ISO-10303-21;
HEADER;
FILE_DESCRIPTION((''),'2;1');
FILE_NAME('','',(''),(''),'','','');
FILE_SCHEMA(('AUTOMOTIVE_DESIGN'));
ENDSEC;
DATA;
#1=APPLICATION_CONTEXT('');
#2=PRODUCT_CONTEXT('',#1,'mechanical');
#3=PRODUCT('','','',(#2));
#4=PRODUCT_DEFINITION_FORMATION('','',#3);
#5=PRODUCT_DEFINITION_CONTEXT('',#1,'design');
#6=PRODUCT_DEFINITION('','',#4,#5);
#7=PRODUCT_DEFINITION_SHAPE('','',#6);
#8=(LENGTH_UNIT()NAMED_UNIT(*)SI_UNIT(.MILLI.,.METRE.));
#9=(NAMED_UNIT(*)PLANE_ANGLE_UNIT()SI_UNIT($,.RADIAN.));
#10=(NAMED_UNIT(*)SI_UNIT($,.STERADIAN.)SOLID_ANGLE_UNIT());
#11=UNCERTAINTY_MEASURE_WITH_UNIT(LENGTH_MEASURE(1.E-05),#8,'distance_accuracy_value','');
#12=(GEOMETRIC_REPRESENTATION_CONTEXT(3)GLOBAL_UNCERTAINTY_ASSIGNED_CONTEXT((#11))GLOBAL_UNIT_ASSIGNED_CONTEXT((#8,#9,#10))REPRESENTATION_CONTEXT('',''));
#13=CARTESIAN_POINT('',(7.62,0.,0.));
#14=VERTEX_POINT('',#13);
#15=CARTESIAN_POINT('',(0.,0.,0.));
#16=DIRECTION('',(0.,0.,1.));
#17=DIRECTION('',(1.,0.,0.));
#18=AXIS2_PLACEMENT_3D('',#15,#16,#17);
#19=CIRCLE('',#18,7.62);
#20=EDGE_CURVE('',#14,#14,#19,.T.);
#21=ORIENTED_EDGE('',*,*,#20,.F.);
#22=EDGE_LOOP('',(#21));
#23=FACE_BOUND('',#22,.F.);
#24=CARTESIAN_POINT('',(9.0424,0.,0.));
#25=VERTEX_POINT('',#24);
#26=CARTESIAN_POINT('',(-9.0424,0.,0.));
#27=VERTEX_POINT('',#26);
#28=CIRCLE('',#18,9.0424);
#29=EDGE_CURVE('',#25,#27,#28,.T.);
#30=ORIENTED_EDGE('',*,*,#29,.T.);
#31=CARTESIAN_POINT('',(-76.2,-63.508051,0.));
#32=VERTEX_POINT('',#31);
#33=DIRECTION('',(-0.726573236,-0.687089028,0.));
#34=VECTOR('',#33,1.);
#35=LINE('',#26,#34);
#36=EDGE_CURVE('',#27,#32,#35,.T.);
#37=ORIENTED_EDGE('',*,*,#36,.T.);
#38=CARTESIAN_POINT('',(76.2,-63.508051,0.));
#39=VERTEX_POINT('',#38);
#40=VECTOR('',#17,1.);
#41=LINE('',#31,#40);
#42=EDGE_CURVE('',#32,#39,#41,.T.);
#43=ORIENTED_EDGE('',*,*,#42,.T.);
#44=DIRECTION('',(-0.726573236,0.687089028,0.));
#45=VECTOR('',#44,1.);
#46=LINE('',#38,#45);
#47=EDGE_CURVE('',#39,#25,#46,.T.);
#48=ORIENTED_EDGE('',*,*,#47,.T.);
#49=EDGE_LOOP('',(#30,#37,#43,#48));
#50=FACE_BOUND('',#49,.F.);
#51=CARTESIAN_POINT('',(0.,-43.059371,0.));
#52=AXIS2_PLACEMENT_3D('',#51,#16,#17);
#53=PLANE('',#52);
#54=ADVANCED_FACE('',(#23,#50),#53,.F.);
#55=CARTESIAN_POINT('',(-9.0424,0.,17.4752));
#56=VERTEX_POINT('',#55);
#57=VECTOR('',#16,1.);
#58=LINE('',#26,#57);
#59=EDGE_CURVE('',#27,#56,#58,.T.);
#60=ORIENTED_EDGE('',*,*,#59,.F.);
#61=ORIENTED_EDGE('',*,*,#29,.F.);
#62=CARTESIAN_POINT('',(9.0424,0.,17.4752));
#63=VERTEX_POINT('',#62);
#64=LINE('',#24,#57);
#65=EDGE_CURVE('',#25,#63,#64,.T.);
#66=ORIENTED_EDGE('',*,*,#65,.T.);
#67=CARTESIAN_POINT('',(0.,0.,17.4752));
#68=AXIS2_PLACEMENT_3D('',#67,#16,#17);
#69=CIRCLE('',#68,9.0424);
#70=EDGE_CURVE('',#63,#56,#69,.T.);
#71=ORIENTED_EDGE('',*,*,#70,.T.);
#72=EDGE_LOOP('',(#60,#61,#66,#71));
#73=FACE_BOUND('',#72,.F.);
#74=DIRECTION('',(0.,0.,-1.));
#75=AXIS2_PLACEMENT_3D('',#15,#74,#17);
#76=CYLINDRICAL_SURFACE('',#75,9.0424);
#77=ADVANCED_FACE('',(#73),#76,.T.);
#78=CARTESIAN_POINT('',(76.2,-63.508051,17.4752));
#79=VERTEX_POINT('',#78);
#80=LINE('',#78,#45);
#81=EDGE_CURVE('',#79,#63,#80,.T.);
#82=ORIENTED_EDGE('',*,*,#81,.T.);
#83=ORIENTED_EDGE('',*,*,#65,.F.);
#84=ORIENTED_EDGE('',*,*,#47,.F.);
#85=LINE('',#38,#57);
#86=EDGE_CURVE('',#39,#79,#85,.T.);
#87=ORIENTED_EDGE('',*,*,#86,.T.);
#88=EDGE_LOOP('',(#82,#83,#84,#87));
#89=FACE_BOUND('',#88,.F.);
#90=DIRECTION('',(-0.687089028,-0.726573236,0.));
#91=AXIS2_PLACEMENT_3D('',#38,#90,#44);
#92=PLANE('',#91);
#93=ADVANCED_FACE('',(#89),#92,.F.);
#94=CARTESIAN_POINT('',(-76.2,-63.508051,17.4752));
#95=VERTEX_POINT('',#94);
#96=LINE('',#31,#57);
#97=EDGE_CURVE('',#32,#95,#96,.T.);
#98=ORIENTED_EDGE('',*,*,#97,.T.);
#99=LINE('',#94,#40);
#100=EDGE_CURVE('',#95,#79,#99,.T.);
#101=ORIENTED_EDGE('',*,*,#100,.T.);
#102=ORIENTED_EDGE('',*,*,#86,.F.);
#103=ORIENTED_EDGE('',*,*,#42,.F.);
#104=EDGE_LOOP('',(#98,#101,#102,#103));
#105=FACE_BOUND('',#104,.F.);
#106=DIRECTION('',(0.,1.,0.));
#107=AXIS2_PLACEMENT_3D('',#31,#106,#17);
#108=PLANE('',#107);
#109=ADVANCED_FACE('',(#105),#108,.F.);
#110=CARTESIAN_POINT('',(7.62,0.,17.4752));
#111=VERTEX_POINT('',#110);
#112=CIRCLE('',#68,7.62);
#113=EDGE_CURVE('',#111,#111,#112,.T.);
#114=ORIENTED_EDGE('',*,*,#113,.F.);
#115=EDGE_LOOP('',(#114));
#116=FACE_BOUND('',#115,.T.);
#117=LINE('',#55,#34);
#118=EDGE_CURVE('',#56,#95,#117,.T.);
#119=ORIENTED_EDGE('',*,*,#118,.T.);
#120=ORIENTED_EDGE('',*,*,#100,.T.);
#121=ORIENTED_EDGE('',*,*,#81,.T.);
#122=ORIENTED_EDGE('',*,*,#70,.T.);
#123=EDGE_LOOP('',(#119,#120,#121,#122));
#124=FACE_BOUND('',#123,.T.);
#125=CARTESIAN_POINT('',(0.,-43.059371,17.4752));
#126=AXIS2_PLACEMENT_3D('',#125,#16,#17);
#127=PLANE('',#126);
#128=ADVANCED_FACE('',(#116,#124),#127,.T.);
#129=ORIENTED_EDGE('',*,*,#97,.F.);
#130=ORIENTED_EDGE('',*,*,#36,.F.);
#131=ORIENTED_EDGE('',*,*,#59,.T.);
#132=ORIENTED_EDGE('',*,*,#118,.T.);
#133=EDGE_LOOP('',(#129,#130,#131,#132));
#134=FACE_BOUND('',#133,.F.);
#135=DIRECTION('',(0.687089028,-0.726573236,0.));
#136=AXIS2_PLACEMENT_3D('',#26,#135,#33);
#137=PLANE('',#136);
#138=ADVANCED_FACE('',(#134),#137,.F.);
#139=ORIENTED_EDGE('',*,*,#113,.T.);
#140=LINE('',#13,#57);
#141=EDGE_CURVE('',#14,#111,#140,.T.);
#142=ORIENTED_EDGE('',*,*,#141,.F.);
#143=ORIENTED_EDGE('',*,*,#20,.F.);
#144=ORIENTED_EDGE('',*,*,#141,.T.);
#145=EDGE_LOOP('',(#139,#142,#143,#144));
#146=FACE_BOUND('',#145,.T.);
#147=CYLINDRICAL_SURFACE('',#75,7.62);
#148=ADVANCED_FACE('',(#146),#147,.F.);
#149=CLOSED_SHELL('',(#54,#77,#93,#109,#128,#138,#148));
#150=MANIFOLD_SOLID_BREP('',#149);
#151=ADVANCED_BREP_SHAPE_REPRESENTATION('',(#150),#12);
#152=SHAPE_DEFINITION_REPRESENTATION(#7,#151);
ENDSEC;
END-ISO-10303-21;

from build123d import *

# Parameters (mm, degrees)
F0_R     = 7.62
F1_DEPTH = 17.4752


with BuildPart() as f1:
    # F0 (on Top) → F1 (new body)
    with BuildSketch(Plane.XY):
        with BuildLine():
            Line((76.2, -63.508051), (9.0424, 0))
            ThreePointArc((9.0424, 0), (0, -9.0424), (-9.0424, 0))
            Line((-9.0424, 0), (-76.2, -63.508051))
            Line((-76.2, -63.508051), (76.2, -63.508051))
        make_face()
        with BuildLine():
            ThreePointArc((-9.0424, 0), (0, -9.0424), (9.0424, 0))
            ThreePointArc((9.0424, 0), (0, 9.0424), (-9.0424, 0))
        make_face()
        Circle(F0_R, mode=Mode.SUBTRACT)
    extrude(amount=F1_DEPTH)


solid = f1.part
